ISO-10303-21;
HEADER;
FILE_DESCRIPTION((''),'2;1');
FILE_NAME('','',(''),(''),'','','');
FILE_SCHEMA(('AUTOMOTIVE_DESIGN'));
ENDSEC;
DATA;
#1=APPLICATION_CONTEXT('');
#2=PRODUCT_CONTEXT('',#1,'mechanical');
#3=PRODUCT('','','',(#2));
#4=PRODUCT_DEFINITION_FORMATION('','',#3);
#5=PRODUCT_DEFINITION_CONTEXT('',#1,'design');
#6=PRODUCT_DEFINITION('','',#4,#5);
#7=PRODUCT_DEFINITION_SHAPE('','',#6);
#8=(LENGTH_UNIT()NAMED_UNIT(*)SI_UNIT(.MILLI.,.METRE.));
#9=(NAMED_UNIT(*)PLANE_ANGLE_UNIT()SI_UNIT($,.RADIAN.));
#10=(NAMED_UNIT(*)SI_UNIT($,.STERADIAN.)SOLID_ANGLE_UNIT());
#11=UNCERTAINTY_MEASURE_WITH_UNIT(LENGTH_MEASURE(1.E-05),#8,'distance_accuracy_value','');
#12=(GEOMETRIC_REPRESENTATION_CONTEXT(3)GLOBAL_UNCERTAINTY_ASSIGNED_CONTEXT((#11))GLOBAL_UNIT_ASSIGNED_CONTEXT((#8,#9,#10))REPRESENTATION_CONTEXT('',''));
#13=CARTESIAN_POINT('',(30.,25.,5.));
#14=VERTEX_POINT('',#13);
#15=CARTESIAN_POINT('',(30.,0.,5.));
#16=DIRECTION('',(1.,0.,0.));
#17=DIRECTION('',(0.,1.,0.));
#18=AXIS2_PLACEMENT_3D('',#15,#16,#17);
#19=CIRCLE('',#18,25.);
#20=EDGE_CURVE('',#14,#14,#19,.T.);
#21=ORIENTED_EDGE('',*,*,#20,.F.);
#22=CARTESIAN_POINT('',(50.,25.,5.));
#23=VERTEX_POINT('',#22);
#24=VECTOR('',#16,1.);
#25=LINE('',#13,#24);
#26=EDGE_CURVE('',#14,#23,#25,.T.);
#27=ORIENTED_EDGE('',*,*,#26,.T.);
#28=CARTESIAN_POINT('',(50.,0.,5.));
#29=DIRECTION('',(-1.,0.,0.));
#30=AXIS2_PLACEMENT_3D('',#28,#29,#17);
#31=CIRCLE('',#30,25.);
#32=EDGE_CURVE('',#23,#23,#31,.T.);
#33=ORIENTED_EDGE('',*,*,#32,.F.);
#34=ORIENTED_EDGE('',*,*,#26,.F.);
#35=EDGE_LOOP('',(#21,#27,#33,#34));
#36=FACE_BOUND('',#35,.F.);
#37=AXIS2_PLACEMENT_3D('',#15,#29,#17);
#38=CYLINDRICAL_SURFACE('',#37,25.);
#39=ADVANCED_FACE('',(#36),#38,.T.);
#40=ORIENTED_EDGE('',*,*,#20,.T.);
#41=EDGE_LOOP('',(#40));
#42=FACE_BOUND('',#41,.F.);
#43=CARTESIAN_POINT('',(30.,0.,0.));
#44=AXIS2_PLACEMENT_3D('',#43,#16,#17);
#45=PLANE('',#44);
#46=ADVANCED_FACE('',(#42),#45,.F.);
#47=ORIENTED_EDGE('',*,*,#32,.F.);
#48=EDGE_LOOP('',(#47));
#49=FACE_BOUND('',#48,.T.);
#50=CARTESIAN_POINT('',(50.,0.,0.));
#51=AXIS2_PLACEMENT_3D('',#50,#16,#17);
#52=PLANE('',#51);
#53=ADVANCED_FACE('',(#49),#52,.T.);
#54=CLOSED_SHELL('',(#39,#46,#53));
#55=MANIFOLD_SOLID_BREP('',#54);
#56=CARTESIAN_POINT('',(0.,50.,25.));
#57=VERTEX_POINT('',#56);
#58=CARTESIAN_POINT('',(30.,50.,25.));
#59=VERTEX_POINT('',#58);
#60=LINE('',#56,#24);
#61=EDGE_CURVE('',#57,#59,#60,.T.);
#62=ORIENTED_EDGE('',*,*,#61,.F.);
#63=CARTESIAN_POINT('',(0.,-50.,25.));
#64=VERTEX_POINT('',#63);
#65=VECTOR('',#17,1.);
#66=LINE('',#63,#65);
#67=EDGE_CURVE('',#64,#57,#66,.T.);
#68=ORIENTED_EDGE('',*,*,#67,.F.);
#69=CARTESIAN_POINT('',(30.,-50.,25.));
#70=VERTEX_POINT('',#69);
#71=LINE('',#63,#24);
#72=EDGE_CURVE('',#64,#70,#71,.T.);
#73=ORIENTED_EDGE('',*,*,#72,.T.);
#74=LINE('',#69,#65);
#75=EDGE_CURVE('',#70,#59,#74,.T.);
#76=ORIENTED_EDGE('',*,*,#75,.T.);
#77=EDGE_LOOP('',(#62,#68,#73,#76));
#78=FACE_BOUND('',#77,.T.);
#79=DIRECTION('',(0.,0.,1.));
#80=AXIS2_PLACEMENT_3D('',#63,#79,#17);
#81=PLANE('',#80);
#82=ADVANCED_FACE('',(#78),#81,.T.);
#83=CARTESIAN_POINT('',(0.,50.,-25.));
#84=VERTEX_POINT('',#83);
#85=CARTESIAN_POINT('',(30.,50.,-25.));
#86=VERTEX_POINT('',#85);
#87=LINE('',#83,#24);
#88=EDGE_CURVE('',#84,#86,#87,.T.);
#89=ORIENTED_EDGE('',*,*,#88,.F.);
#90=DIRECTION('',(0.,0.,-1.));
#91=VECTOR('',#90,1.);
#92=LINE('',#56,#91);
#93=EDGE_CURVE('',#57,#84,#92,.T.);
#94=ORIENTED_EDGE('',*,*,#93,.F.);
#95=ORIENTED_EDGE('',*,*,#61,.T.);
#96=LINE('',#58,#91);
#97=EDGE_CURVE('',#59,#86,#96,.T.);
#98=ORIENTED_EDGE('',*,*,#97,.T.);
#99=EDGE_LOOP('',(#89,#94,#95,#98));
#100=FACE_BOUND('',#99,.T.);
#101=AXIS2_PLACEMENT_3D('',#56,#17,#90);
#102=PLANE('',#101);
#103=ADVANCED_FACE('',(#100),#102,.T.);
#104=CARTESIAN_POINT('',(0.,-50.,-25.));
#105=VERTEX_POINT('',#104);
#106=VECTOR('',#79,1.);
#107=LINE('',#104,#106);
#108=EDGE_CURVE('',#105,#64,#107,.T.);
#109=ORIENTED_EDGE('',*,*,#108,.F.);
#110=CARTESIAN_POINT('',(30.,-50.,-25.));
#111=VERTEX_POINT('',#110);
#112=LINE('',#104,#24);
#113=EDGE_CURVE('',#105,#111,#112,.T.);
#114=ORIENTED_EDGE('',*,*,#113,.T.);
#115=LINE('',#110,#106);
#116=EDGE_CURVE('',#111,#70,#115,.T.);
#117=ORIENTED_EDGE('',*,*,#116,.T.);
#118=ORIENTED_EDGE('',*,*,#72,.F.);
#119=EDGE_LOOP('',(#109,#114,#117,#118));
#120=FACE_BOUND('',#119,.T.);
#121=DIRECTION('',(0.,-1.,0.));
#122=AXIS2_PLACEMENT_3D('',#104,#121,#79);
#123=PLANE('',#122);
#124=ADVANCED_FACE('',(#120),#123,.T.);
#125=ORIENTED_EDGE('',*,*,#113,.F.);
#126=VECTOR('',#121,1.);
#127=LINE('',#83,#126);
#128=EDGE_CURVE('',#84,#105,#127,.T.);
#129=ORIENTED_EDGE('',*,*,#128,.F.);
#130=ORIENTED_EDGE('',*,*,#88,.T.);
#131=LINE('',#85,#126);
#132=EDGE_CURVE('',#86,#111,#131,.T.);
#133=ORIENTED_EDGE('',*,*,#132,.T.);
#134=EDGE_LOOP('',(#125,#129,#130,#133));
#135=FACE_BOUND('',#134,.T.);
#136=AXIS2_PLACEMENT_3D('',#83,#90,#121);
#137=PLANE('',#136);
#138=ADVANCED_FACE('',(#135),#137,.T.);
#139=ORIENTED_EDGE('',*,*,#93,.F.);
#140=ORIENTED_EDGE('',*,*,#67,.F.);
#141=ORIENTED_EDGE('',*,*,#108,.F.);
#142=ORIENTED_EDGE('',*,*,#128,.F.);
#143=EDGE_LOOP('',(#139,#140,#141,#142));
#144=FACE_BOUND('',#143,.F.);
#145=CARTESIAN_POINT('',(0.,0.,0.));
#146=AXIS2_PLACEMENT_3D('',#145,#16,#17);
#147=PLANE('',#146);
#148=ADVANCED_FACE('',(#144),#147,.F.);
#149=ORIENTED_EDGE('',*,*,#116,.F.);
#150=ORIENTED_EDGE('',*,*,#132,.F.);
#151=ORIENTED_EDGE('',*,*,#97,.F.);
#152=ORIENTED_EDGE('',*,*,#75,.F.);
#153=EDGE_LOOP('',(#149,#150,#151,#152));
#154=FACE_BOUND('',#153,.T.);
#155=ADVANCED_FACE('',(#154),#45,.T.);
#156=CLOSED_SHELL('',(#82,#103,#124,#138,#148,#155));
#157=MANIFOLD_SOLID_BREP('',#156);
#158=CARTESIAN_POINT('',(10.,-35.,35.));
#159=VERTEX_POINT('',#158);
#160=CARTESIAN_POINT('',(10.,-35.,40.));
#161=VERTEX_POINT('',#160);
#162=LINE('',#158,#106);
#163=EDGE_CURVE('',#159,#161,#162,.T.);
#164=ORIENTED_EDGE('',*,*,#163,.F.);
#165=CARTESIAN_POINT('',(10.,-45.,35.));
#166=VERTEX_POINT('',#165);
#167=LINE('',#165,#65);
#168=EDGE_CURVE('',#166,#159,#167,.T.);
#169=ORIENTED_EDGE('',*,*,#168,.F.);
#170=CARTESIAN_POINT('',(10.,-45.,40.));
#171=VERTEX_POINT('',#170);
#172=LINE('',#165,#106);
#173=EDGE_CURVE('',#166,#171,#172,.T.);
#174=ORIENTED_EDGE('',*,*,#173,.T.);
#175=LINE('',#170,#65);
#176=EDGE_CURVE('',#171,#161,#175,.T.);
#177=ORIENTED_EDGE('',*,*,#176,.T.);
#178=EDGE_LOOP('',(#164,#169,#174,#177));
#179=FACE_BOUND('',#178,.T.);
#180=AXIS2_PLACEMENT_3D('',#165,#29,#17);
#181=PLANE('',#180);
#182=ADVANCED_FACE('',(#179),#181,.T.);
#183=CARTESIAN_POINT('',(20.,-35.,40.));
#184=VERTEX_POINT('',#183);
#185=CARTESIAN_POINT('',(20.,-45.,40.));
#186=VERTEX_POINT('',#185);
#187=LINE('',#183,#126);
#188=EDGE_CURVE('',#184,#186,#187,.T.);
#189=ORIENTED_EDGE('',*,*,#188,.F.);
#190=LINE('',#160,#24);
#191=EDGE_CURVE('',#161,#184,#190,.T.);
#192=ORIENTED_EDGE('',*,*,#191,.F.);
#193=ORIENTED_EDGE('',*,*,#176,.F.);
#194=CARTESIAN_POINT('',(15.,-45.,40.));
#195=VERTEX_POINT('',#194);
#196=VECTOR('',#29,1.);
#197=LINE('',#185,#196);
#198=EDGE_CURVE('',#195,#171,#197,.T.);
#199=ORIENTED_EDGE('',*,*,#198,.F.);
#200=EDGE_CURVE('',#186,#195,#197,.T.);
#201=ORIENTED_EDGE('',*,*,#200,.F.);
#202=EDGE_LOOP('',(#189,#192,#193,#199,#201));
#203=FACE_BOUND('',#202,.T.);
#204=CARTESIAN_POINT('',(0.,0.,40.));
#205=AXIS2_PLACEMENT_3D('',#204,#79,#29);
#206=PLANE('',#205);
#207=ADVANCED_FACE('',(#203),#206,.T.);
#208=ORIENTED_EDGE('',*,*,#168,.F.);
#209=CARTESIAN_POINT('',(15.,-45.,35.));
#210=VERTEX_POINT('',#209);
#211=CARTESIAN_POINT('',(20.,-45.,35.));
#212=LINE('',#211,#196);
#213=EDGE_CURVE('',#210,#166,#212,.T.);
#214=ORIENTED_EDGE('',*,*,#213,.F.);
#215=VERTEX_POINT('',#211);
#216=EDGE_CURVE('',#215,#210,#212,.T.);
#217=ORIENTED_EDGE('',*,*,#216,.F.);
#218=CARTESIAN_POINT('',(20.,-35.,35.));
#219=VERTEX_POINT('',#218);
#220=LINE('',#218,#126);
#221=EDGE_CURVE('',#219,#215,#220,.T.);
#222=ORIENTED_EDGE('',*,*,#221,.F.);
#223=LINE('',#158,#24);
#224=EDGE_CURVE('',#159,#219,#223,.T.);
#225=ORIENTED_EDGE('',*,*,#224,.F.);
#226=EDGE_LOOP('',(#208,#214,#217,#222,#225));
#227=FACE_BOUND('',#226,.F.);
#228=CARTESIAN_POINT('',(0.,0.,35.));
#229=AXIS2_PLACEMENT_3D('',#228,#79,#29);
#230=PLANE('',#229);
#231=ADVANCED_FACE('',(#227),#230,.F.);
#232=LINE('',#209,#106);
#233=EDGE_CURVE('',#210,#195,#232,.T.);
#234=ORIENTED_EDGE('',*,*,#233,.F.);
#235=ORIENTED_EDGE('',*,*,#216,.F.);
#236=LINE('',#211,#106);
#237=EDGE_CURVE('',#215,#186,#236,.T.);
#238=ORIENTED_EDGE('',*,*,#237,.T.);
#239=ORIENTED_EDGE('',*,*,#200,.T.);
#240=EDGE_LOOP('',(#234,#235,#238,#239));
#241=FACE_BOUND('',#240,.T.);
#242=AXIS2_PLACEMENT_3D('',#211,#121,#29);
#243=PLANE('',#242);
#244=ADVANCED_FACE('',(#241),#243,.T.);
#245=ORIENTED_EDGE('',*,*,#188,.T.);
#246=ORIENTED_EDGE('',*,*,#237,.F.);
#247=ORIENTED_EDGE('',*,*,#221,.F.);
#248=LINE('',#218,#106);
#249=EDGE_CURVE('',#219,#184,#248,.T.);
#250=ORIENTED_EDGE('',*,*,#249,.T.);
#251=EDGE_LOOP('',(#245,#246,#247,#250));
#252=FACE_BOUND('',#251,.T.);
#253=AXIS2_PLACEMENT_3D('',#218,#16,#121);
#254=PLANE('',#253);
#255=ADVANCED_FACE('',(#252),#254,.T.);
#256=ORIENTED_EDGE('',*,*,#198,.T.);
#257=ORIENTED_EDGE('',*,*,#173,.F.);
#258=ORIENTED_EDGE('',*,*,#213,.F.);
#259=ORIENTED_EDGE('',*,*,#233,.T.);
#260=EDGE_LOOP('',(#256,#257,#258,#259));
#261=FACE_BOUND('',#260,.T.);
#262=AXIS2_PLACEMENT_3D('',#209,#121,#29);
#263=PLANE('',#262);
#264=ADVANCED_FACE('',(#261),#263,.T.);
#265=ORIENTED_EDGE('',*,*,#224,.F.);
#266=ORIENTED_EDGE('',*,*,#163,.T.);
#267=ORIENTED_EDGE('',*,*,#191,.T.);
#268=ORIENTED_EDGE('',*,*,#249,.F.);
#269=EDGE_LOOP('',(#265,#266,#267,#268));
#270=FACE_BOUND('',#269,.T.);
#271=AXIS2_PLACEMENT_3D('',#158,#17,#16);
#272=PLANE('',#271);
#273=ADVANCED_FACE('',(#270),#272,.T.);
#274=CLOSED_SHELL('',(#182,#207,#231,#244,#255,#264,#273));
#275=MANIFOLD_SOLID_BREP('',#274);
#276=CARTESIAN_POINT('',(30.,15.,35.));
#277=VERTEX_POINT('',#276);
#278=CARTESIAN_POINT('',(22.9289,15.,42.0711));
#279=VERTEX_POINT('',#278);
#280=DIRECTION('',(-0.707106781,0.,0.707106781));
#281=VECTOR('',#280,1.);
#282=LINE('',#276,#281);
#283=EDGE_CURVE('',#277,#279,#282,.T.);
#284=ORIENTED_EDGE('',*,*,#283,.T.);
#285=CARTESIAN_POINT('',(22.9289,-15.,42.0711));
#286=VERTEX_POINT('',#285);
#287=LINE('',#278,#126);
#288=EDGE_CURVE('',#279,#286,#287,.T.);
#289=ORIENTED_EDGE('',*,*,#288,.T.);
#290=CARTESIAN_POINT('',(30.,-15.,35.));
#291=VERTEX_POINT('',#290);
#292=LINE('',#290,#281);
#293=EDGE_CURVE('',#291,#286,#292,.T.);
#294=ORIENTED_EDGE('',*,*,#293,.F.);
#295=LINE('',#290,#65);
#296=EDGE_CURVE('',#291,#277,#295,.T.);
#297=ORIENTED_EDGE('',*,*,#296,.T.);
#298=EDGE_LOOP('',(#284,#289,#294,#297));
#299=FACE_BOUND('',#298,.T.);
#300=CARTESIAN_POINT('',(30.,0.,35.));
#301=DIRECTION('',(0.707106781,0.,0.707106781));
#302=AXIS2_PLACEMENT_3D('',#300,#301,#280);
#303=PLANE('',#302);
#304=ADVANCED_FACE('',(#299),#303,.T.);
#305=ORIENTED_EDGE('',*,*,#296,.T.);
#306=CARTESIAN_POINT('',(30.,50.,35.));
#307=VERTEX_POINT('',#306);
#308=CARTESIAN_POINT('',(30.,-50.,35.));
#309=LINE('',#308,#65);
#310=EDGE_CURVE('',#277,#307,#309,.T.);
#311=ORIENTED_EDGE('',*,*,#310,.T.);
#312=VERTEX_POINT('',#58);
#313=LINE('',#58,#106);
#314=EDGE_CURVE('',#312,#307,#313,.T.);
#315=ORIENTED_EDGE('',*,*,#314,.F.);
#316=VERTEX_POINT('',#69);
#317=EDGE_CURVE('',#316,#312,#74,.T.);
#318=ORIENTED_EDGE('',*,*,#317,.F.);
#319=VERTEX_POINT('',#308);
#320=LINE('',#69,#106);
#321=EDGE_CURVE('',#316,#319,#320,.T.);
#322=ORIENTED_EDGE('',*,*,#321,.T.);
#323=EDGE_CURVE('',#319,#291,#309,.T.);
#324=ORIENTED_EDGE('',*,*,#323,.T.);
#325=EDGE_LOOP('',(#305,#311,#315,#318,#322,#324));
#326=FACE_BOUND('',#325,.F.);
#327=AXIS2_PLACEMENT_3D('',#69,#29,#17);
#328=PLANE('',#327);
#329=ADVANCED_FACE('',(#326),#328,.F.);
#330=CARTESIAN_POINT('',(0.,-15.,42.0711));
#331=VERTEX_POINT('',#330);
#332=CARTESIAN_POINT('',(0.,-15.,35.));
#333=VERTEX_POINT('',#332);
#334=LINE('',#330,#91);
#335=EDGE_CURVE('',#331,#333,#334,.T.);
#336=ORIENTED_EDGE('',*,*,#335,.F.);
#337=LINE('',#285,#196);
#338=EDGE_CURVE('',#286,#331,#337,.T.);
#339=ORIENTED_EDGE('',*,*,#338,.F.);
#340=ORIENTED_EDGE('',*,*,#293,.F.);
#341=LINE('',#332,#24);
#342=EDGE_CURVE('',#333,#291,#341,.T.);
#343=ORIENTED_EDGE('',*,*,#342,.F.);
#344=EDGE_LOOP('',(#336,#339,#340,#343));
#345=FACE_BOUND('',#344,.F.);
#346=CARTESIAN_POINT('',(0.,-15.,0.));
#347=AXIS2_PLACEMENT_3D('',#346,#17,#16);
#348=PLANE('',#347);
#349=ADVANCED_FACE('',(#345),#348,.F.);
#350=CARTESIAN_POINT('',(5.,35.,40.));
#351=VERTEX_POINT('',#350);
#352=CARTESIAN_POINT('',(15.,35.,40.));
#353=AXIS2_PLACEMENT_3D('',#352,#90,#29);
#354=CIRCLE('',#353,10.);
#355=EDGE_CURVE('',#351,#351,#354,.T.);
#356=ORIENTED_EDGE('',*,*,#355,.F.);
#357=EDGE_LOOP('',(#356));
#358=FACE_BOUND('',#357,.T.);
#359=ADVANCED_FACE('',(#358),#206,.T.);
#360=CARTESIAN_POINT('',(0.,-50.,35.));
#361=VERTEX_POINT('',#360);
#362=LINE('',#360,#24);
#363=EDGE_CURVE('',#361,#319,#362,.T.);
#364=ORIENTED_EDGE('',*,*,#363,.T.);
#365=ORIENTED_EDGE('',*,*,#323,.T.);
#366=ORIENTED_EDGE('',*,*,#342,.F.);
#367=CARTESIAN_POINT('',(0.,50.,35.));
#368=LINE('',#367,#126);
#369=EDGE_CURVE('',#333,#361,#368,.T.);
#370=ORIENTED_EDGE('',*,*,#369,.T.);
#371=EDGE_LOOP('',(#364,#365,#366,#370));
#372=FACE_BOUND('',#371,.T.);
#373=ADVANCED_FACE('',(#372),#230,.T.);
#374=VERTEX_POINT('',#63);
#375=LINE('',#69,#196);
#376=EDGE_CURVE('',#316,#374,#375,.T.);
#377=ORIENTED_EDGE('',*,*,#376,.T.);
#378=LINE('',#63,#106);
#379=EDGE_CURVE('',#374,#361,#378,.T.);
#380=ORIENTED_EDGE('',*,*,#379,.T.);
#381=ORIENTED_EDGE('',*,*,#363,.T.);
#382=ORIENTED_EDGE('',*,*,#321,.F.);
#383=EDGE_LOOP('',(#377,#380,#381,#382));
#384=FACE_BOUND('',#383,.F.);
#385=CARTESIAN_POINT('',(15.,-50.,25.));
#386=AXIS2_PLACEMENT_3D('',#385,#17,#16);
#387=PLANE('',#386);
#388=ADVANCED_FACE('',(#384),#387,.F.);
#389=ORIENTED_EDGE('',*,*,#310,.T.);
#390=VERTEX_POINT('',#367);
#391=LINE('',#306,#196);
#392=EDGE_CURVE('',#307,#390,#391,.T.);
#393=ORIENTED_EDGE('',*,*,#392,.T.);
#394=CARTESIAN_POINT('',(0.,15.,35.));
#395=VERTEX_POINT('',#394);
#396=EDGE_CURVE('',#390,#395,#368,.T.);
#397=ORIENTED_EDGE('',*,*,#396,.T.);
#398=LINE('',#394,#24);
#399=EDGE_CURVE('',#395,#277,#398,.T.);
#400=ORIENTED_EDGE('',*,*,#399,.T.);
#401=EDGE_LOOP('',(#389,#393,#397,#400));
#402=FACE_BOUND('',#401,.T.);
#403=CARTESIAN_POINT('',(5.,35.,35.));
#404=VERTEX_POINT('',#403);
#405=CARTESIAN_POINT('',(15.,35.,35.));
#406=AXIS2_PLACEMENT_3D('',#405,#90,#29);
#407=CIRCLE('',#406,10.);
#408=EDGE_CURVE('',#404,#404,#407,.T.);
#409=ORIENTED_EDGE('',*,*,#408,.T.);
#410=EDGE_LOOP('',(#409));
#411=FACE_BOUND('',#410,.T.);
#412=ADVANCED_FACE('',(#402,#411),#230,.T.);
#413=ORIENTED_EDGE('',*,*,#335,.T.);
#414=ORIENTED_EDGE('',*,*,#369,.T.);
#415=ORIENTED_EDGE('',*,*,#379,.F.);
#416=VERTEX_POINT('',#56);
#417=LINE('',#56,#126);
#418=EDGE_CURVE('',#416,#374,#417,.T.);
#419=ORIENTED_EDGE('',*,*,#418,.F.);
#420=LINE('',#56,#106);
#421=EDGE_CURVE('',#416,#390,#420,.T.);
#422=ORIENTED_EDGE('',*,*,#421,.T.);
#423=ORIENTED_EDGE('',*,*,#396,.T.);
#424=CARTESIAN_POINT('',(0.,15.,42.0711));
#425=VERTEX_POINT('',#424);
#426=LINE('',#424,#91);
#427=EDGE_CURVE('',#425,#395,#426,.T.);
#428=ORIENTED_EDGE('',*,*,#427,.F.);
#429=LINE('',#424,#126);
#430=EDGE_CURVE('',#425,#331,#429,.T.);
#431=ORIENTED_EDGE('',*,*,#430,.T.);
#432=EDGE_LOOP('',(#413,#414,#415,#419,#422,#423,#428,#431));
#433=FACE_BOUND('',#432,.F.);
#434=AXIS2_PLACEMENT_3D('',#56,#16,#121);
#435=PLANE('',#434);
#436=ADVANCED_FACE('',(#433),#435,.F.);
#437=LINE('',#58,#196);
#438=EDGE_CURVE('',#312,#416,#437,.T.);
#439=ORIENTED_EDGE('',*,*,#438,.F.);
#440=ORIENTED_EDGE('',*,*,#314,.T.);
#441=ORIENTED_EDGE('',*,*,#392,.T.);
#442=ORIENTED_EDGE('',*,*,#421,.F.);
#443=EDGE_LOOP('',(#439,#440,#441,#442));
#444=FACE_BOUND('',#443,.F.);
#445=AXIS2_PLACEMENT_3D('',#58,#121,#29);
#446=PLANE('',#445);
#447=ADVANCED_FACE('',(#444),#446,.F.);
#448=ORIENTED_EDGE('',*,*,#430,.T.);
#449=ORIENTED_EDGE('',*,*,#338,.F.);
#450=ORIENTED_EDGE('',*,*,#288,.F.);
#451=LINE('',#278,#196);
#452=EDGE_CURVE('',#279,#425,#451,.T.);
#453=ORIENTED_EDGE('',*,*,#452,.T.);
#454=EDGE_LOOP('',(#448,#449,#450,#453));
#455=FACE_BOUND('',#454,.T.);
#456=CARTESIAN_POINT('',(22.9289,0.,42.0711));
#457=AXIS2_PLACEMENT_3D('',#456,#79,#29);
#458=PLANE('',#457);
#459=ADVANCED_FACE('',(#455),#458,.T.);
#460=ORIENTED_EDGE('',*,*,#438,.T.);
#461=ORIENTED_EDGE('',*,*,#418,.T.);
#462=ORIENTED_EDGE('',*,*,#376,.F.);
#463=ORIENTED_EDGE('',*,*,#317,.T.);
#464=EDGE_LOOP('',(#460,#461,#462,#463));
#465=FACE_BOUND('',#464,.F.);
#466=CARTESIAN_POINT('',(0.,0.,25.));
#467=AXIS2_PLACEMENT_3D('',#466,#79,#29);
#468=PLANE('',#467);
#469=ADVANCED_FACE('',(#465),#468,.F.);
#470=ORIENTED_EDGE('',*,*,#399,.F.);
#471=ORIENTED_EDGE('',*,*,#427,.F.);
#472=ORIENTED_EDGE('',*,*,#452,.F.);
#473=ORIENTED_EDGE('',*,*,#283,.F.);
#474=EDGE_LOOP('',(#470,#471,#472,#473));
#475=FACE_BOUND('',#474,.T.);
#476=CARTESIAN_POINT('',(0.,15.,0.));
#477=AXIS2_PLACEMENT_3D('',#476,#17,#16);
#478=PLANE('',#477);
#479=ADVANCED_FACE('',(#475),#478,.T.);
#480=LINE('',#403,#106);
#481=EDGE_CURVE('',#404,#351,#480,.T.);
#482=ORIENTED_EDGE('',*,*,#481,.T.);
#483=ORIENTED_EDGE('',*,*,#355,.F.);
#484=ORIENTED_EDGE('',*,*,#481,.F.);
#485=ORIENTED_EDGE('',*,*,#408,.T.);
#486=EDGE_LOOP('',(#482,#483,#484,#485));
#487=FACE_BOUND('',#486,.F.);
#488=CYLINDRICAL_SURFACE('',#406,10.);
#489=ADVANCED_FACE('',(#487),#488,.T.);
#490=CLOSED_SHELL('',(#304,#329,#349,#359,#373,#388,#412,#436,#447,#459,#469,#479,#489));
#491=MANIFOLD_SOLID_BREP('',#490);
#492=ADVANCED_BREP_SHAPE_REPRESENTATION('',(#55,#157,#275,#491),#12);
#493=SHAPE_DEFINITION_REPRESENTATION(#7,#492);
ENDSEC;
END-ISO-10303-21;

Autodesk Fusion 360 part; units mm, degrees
sketch "Sketch1" plane through (0, 0, 0) normal (1, 0, 0) x (0, 1, 0)
  line L0 (50, -25) -> (-50, -25)
  line L1 (-50, -25) -> (-50, 25)
  line L2 (-50, 25) -> (50, 25)
  line L3 (50, 25) -> (50, -25)
  line L4 (50, -25) -> (-50, 25) construction
  line L5 (-50, -25) -> (50, 25) construction
  dimension "d1" = 100
  dimension "d2" = 50
extrude "Extrude1" add sketch "Sketch1" along normal blind 30 makes body 1
sketch "Sketch2" plane through (0, 0, 25) normal (0, 0, 1) x (-1, 0, 0)
  line L0 (0, -50) -> (0, 50)
  line L1 (0, 50) -> (-30, 50)
  line L2 (-30, 50) -> (-30, -50)
  line L3 (-30, -50) -> (0, -50)
  line L4 (0, 50) -> (-15, 50)
  line L5 (-15, 50) -> (-15, 0)
  line L6 (-30, 50) -> (0, 50)
  line L7 (0, 50) -> (0, -50)
  line L8 (0, -50) -> (-30, -50)
  line L9 (-30, -50) -> (-30, 50)
  line L10 (-30, 50) -> (0, -50) construction
  line L11 (0, 50) -> (-30, -50) construction
  point P0 (-15, 0)
extrude "Extrude2" add sketch "Sketch2" along normal blind 10 separate body makes body 2
sketch "Sketch3" plane through (30, 0, 0) normal (1, 0, 0) x (0, 1, 0)
  line L0 (50, 25) -> (-50, 25)
  line L1 (-50, 25) -> (-50, -25)
  line L2 (-50, -25) -> (50, -25)
  line L3 (50, -25) -> (50, 25)
  line L4 (-50, 35) -> (-50, 5)
  line L5 (-50, 35) -> (0, 35)
  circle A0 centre (0, 5) radius 25
  dimension "d7" = 30
  dimension "d8" = 50
extrude "Extrude3" add sketch "Sketch3" along normal blind 20 separate body contours L0 A0 | L0 A0 makes body 3
sketch "Sketch4" plane through (0, 0, 35) normal (0, 0, 1) x (-1, 0, 0)
  line L0 (-30, -50) -> (0, -50)
  line L1 (0, -50) -> (0, 50)
  line L2 (0, 50) -> (-30, 50)
  line L3 (-30, 50) -> (-30, -50)
  line L4 (0, 50) -> (-15, 50)
  line L5 (-15, 50) -> (-15, 40)
  line L6 (-10, 35) -> (-20, 35)
  line L7 (-20, 35) -> (-20, 45)
  line L8 (-20, 45) -> (-10, 45)
  line L9 (-10, 45) -> (-10, 35)
  point P0 (-15, 40)
  dimension "d11" = 10
  dimension "d12" = 10
  dimension "d13" = 10
extrude "Extrude4" add sketch "Sketch4" along normal blind 5 separate body contours L6 L7 L8 L9 makes body 4
sketch "Sketch5" plane through (0, 0, 35) normal (0, 0, 1) x (-1, 0, 0)
  line L0 (-30, -50) -> (0, -50)
  line L1 (0, -50) -> (0, 50)
  line L2 (0, 50) -> (-30, 50)
  line L3 (-30, 50) -> (-30, -50)
  line L4 (-30, -50) -> (-15, -50)
  line L5 (-15, -50) -> (-15, -35)
  circle A0 centre (-15, -35) radius 10
  dimension "d16" = 15
  dimension "d17" = 20
extrude "Extrude5" add sketch "Sketch5" along normal blind 5 contours A0 bodies 2
ref_plane "WorkPlane1" through (15, 0, 0) normal (0, 1, 0) x (0, 0, 1)
sketch "Sketch6" plane through (0, 0, 0) normal (0, 1, 0) x (1, 0, 0)
ref_plane "WorkPlane2" through (15, 0, 0) normal (0, 1, 0) x (0, 0, 1)
sketch "Sketch7" plane through (0, 0, 0) normal (0, 1, 0) x (1, 0, 0)
  line L0 (30, -35) -> (22.9289, -42.0711)
  line L1 (30, -35) -> (40, -35) construction
  line L2 (22.9289, -42.0711) -> (0, -42.0711)
  line L3 (0, -42.0711) -> (0, -35)
  line L4 (0, -35) -> (30, -35)
  dimension "d20" = 135
  dimension "d21" = 10
extrude "Extrude6" add sketch "Sketch7" along normal blind 15 and the other way blind 15 bodies 2
